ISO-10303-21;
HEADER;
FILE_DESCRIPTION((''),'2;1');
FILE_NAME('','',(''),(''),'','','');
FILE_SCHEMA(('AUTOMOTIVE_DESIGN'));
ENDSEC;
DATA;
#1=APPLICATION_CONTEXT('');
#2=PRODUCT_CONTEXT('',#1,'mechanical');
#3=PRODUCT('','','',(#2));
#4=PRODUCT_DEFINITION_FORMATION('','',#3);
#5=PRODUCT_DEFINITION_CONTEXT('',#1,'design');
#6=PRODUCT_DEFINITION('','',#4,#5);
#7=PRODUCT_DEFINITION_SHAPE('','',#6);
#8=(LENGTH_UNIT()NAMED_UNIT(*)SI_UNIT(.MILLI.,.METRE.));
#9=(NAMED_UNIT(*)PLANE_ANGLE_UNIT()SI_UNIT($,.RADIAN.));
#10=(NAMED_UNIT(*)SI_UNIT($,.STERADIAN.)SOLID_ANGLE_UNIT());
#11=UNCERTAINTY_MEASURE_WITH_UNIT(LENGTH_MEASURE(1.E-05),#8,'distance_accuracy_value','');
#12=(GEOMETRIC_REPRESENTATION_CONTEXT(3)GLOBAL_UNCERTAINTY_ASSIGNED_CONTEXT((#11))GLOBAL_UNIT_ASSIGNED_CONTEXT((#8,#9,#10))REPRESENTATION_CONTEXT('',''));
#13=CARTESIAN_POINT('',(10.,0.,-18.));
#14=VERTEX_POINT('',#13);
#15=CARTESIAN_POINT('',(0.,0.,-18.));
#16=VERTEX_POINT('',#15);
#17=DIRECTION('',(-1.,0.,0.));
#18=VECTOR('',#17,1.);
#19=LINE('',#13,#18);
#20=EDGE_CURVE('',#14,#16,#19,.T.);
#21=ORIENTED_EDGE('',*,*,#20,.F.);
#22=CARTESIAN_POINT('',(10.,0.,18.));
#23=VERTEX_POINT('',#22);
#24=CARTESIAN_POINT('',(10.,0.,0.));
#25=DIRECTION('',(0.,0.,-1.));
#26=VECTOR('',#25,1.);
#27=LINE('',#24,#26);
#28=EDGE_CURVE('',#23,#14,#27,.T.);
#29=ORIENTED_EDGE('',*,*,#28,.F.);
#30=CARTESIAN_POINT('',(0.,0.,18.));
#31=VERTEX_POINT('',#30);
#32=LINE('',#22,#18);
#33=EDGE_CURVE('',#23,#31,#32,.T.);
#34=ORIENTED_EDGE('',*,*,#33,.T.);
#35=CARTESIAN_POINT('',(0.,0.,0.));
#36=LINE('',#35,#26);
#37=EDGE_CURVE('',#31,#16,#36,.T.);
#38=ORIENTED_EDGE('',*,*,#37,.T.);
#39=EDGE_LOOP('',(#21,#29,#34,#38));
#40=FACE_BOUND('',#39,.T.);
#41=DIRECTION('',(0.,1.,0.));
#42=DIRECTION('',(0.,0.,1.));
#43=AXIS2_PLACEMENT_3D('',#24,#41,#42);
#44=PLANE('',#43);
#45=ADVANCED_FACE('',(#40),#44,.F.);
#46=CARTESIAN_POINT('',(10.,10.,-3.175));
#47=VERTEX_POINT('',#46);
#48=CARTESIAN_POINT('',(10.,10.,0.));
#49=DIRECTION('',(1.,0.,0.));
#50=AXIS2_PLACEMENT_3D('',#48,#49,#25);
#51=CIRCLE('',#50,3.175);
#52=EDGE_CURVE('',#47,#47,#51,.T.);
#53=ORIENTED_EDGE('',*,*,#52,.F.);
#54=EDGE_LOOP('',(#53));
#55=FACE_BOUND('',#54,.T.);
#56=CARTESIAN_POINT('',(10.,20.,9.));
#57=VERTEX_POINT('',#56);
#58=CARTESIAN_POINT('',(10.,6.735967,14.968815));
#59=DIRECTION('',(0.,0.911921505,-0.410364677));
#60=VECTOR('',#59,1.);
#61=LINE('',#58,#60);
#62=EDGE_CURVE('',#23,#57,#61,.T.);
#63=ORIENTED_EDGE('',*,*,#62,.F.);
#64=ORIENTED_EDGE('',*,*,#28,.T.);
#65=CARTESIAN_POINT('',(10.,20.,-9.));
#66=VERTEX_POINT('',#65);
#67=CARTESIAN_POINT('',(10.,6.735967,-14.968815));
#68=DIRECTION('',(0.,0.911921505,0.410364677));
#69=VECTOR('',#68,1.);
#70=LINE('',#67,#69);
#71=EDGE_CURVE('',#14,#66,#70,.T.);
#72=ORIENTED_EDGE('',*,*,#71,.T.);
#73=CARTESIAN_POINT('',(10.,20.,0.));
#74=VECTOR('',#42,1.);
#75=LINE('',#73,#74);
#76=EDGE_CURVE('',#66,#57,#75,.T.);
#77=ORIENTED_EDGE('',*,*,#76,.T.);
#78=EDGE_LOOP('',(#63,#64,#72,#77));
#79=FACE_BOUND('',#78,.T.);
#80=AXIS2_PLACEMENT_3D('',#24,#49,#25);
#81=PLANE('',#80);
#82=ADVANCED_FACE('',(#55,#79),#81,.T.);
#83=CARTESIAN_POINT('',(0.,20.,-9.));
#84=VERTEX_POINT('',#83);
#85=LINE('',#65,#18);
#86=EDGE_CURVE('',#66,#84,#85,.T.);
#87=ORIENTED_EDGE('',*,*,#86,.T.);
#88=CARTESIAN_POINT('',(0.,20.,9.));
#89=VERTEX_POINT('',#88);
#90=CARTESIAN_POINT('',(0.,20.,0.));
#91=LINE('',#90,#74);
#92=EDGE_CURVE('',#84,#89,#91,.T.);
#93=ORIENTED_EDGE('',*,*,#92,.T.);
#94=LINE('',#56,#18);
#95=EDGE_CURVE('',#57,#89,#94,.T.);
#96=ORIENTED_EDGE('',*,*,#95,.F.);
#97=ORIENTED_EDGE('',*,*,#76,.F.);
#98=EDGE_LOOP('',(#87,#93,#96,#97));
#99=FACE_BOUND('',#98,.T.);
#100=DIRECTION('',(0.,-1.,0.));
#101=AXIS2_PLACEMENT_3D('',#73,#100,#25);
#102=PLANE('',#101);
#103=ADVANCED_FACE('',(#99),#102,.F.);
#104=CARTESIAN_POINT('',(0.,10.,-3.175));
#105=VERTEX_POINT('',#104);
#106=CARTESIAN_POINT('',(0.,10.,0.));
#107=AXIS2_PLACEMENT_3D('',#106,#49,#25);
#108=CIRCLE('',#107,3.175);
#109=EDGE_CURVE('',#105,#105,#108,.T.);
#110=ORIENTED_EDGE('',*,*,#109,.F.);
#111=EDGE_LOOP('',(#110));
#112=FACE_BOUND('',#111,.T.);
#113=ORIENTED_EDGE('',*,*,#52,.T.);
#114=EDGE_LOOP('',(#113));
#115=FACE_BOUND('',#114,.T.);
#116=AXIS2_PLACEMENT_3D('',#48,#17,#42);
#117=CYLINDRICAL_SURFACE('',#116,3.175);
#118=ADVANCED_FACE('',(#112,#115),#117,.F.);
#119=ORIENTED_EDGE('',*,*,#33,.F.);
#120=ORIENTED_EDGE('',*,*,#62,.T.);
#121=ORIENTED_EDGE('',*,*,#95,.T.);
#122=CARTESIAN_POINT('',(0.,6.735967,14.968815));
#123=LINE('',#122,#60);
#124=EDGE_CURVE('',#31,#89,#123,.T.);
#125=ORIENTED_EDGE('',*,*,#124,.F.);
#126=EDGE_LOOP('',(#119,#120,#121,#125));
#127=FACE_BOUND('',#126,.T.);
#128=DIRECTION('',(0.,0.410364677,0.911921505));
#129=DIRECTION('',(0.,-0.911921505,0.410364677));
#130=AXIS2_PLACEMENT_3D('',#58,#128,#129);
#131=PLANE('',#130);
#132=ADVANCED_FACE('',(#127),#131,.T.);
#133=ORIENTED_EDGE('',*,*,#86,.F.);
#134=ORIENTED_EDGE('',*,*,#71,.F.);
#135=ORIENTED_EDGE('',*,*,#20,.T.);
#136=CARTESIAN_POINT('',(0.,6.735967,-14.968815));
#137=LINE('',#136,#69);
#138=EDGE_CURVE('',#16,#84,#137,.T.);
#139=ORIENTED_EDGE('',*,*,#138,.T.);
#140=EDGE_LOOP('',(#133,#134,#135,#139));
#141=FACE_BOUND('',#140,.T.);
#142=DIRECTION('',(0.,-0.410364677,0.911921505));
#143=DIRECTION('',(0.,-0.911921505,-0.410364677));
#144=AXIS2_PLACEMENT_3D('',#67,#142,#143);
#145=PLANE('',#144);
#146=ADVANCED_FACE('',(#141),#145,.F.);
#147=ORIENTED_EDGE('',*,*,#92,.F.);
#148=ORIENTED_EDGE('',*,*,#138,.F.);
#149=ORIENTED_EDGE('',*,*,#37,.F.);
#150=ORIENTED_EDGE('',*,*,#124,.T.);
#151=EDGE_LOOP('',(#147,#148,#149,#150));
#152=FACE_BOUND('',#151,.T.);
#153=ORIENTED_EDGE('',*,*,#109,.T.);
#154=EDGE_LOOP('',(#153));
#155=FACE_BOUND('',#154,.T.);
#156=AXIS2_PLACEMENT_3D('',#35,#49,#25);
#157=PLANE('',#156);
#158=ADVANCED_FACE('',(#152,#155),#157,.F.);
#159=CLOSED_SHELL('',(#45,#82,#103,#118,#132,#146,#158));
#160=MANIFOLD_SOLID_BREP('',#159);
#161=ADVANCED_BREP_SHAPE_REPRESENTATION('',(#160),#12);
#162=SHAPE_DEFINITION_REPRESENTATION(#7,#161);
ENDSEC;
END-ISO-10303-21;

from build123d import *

# Parameters (mm, degrees)
BOSS_EXTRUDE1_DEPTH = 10


with BuildPart() as part:
    # Sketch1 → Boss-Extrude1 (new body)
    with BuildSketch(Plane(origin=(0, 0, 0), x_dir=(0, 0, -1), z_dir=(1, 0, 0))):
        with BuildLine():
            Line((0, 6.825), (0, 0))
            Line((0, 0), (18, 0))
            Line((18, 0), (9, 20))
            Line((9, 20), (0, 20))
            Line((0, 20), (0, 13.175))
            ThreePointArc((0, 13.175), (2.24506403, 12.24506403), (3.175, 10))
            ThreePointArc((3.175, 10), (2.24506403, 7.75493597), (0, 6.825))
        make_face()
        with BuildLine():
            Line((-18, 0), (0, 0))
            Line((0, 0), (0, 6.825))
            ThreePointArc((0, 6.825), (-3.175, 10), (0, 13.175))
            Line((0, 13.175), (0, 20))
            Line((0, 20), (-9, 20))
            Line((-9, 20), (-18, 0))
        make_face()
    extrude(amount=BOSS_EXTRUDE1_DEPTH)


solid = part.part
